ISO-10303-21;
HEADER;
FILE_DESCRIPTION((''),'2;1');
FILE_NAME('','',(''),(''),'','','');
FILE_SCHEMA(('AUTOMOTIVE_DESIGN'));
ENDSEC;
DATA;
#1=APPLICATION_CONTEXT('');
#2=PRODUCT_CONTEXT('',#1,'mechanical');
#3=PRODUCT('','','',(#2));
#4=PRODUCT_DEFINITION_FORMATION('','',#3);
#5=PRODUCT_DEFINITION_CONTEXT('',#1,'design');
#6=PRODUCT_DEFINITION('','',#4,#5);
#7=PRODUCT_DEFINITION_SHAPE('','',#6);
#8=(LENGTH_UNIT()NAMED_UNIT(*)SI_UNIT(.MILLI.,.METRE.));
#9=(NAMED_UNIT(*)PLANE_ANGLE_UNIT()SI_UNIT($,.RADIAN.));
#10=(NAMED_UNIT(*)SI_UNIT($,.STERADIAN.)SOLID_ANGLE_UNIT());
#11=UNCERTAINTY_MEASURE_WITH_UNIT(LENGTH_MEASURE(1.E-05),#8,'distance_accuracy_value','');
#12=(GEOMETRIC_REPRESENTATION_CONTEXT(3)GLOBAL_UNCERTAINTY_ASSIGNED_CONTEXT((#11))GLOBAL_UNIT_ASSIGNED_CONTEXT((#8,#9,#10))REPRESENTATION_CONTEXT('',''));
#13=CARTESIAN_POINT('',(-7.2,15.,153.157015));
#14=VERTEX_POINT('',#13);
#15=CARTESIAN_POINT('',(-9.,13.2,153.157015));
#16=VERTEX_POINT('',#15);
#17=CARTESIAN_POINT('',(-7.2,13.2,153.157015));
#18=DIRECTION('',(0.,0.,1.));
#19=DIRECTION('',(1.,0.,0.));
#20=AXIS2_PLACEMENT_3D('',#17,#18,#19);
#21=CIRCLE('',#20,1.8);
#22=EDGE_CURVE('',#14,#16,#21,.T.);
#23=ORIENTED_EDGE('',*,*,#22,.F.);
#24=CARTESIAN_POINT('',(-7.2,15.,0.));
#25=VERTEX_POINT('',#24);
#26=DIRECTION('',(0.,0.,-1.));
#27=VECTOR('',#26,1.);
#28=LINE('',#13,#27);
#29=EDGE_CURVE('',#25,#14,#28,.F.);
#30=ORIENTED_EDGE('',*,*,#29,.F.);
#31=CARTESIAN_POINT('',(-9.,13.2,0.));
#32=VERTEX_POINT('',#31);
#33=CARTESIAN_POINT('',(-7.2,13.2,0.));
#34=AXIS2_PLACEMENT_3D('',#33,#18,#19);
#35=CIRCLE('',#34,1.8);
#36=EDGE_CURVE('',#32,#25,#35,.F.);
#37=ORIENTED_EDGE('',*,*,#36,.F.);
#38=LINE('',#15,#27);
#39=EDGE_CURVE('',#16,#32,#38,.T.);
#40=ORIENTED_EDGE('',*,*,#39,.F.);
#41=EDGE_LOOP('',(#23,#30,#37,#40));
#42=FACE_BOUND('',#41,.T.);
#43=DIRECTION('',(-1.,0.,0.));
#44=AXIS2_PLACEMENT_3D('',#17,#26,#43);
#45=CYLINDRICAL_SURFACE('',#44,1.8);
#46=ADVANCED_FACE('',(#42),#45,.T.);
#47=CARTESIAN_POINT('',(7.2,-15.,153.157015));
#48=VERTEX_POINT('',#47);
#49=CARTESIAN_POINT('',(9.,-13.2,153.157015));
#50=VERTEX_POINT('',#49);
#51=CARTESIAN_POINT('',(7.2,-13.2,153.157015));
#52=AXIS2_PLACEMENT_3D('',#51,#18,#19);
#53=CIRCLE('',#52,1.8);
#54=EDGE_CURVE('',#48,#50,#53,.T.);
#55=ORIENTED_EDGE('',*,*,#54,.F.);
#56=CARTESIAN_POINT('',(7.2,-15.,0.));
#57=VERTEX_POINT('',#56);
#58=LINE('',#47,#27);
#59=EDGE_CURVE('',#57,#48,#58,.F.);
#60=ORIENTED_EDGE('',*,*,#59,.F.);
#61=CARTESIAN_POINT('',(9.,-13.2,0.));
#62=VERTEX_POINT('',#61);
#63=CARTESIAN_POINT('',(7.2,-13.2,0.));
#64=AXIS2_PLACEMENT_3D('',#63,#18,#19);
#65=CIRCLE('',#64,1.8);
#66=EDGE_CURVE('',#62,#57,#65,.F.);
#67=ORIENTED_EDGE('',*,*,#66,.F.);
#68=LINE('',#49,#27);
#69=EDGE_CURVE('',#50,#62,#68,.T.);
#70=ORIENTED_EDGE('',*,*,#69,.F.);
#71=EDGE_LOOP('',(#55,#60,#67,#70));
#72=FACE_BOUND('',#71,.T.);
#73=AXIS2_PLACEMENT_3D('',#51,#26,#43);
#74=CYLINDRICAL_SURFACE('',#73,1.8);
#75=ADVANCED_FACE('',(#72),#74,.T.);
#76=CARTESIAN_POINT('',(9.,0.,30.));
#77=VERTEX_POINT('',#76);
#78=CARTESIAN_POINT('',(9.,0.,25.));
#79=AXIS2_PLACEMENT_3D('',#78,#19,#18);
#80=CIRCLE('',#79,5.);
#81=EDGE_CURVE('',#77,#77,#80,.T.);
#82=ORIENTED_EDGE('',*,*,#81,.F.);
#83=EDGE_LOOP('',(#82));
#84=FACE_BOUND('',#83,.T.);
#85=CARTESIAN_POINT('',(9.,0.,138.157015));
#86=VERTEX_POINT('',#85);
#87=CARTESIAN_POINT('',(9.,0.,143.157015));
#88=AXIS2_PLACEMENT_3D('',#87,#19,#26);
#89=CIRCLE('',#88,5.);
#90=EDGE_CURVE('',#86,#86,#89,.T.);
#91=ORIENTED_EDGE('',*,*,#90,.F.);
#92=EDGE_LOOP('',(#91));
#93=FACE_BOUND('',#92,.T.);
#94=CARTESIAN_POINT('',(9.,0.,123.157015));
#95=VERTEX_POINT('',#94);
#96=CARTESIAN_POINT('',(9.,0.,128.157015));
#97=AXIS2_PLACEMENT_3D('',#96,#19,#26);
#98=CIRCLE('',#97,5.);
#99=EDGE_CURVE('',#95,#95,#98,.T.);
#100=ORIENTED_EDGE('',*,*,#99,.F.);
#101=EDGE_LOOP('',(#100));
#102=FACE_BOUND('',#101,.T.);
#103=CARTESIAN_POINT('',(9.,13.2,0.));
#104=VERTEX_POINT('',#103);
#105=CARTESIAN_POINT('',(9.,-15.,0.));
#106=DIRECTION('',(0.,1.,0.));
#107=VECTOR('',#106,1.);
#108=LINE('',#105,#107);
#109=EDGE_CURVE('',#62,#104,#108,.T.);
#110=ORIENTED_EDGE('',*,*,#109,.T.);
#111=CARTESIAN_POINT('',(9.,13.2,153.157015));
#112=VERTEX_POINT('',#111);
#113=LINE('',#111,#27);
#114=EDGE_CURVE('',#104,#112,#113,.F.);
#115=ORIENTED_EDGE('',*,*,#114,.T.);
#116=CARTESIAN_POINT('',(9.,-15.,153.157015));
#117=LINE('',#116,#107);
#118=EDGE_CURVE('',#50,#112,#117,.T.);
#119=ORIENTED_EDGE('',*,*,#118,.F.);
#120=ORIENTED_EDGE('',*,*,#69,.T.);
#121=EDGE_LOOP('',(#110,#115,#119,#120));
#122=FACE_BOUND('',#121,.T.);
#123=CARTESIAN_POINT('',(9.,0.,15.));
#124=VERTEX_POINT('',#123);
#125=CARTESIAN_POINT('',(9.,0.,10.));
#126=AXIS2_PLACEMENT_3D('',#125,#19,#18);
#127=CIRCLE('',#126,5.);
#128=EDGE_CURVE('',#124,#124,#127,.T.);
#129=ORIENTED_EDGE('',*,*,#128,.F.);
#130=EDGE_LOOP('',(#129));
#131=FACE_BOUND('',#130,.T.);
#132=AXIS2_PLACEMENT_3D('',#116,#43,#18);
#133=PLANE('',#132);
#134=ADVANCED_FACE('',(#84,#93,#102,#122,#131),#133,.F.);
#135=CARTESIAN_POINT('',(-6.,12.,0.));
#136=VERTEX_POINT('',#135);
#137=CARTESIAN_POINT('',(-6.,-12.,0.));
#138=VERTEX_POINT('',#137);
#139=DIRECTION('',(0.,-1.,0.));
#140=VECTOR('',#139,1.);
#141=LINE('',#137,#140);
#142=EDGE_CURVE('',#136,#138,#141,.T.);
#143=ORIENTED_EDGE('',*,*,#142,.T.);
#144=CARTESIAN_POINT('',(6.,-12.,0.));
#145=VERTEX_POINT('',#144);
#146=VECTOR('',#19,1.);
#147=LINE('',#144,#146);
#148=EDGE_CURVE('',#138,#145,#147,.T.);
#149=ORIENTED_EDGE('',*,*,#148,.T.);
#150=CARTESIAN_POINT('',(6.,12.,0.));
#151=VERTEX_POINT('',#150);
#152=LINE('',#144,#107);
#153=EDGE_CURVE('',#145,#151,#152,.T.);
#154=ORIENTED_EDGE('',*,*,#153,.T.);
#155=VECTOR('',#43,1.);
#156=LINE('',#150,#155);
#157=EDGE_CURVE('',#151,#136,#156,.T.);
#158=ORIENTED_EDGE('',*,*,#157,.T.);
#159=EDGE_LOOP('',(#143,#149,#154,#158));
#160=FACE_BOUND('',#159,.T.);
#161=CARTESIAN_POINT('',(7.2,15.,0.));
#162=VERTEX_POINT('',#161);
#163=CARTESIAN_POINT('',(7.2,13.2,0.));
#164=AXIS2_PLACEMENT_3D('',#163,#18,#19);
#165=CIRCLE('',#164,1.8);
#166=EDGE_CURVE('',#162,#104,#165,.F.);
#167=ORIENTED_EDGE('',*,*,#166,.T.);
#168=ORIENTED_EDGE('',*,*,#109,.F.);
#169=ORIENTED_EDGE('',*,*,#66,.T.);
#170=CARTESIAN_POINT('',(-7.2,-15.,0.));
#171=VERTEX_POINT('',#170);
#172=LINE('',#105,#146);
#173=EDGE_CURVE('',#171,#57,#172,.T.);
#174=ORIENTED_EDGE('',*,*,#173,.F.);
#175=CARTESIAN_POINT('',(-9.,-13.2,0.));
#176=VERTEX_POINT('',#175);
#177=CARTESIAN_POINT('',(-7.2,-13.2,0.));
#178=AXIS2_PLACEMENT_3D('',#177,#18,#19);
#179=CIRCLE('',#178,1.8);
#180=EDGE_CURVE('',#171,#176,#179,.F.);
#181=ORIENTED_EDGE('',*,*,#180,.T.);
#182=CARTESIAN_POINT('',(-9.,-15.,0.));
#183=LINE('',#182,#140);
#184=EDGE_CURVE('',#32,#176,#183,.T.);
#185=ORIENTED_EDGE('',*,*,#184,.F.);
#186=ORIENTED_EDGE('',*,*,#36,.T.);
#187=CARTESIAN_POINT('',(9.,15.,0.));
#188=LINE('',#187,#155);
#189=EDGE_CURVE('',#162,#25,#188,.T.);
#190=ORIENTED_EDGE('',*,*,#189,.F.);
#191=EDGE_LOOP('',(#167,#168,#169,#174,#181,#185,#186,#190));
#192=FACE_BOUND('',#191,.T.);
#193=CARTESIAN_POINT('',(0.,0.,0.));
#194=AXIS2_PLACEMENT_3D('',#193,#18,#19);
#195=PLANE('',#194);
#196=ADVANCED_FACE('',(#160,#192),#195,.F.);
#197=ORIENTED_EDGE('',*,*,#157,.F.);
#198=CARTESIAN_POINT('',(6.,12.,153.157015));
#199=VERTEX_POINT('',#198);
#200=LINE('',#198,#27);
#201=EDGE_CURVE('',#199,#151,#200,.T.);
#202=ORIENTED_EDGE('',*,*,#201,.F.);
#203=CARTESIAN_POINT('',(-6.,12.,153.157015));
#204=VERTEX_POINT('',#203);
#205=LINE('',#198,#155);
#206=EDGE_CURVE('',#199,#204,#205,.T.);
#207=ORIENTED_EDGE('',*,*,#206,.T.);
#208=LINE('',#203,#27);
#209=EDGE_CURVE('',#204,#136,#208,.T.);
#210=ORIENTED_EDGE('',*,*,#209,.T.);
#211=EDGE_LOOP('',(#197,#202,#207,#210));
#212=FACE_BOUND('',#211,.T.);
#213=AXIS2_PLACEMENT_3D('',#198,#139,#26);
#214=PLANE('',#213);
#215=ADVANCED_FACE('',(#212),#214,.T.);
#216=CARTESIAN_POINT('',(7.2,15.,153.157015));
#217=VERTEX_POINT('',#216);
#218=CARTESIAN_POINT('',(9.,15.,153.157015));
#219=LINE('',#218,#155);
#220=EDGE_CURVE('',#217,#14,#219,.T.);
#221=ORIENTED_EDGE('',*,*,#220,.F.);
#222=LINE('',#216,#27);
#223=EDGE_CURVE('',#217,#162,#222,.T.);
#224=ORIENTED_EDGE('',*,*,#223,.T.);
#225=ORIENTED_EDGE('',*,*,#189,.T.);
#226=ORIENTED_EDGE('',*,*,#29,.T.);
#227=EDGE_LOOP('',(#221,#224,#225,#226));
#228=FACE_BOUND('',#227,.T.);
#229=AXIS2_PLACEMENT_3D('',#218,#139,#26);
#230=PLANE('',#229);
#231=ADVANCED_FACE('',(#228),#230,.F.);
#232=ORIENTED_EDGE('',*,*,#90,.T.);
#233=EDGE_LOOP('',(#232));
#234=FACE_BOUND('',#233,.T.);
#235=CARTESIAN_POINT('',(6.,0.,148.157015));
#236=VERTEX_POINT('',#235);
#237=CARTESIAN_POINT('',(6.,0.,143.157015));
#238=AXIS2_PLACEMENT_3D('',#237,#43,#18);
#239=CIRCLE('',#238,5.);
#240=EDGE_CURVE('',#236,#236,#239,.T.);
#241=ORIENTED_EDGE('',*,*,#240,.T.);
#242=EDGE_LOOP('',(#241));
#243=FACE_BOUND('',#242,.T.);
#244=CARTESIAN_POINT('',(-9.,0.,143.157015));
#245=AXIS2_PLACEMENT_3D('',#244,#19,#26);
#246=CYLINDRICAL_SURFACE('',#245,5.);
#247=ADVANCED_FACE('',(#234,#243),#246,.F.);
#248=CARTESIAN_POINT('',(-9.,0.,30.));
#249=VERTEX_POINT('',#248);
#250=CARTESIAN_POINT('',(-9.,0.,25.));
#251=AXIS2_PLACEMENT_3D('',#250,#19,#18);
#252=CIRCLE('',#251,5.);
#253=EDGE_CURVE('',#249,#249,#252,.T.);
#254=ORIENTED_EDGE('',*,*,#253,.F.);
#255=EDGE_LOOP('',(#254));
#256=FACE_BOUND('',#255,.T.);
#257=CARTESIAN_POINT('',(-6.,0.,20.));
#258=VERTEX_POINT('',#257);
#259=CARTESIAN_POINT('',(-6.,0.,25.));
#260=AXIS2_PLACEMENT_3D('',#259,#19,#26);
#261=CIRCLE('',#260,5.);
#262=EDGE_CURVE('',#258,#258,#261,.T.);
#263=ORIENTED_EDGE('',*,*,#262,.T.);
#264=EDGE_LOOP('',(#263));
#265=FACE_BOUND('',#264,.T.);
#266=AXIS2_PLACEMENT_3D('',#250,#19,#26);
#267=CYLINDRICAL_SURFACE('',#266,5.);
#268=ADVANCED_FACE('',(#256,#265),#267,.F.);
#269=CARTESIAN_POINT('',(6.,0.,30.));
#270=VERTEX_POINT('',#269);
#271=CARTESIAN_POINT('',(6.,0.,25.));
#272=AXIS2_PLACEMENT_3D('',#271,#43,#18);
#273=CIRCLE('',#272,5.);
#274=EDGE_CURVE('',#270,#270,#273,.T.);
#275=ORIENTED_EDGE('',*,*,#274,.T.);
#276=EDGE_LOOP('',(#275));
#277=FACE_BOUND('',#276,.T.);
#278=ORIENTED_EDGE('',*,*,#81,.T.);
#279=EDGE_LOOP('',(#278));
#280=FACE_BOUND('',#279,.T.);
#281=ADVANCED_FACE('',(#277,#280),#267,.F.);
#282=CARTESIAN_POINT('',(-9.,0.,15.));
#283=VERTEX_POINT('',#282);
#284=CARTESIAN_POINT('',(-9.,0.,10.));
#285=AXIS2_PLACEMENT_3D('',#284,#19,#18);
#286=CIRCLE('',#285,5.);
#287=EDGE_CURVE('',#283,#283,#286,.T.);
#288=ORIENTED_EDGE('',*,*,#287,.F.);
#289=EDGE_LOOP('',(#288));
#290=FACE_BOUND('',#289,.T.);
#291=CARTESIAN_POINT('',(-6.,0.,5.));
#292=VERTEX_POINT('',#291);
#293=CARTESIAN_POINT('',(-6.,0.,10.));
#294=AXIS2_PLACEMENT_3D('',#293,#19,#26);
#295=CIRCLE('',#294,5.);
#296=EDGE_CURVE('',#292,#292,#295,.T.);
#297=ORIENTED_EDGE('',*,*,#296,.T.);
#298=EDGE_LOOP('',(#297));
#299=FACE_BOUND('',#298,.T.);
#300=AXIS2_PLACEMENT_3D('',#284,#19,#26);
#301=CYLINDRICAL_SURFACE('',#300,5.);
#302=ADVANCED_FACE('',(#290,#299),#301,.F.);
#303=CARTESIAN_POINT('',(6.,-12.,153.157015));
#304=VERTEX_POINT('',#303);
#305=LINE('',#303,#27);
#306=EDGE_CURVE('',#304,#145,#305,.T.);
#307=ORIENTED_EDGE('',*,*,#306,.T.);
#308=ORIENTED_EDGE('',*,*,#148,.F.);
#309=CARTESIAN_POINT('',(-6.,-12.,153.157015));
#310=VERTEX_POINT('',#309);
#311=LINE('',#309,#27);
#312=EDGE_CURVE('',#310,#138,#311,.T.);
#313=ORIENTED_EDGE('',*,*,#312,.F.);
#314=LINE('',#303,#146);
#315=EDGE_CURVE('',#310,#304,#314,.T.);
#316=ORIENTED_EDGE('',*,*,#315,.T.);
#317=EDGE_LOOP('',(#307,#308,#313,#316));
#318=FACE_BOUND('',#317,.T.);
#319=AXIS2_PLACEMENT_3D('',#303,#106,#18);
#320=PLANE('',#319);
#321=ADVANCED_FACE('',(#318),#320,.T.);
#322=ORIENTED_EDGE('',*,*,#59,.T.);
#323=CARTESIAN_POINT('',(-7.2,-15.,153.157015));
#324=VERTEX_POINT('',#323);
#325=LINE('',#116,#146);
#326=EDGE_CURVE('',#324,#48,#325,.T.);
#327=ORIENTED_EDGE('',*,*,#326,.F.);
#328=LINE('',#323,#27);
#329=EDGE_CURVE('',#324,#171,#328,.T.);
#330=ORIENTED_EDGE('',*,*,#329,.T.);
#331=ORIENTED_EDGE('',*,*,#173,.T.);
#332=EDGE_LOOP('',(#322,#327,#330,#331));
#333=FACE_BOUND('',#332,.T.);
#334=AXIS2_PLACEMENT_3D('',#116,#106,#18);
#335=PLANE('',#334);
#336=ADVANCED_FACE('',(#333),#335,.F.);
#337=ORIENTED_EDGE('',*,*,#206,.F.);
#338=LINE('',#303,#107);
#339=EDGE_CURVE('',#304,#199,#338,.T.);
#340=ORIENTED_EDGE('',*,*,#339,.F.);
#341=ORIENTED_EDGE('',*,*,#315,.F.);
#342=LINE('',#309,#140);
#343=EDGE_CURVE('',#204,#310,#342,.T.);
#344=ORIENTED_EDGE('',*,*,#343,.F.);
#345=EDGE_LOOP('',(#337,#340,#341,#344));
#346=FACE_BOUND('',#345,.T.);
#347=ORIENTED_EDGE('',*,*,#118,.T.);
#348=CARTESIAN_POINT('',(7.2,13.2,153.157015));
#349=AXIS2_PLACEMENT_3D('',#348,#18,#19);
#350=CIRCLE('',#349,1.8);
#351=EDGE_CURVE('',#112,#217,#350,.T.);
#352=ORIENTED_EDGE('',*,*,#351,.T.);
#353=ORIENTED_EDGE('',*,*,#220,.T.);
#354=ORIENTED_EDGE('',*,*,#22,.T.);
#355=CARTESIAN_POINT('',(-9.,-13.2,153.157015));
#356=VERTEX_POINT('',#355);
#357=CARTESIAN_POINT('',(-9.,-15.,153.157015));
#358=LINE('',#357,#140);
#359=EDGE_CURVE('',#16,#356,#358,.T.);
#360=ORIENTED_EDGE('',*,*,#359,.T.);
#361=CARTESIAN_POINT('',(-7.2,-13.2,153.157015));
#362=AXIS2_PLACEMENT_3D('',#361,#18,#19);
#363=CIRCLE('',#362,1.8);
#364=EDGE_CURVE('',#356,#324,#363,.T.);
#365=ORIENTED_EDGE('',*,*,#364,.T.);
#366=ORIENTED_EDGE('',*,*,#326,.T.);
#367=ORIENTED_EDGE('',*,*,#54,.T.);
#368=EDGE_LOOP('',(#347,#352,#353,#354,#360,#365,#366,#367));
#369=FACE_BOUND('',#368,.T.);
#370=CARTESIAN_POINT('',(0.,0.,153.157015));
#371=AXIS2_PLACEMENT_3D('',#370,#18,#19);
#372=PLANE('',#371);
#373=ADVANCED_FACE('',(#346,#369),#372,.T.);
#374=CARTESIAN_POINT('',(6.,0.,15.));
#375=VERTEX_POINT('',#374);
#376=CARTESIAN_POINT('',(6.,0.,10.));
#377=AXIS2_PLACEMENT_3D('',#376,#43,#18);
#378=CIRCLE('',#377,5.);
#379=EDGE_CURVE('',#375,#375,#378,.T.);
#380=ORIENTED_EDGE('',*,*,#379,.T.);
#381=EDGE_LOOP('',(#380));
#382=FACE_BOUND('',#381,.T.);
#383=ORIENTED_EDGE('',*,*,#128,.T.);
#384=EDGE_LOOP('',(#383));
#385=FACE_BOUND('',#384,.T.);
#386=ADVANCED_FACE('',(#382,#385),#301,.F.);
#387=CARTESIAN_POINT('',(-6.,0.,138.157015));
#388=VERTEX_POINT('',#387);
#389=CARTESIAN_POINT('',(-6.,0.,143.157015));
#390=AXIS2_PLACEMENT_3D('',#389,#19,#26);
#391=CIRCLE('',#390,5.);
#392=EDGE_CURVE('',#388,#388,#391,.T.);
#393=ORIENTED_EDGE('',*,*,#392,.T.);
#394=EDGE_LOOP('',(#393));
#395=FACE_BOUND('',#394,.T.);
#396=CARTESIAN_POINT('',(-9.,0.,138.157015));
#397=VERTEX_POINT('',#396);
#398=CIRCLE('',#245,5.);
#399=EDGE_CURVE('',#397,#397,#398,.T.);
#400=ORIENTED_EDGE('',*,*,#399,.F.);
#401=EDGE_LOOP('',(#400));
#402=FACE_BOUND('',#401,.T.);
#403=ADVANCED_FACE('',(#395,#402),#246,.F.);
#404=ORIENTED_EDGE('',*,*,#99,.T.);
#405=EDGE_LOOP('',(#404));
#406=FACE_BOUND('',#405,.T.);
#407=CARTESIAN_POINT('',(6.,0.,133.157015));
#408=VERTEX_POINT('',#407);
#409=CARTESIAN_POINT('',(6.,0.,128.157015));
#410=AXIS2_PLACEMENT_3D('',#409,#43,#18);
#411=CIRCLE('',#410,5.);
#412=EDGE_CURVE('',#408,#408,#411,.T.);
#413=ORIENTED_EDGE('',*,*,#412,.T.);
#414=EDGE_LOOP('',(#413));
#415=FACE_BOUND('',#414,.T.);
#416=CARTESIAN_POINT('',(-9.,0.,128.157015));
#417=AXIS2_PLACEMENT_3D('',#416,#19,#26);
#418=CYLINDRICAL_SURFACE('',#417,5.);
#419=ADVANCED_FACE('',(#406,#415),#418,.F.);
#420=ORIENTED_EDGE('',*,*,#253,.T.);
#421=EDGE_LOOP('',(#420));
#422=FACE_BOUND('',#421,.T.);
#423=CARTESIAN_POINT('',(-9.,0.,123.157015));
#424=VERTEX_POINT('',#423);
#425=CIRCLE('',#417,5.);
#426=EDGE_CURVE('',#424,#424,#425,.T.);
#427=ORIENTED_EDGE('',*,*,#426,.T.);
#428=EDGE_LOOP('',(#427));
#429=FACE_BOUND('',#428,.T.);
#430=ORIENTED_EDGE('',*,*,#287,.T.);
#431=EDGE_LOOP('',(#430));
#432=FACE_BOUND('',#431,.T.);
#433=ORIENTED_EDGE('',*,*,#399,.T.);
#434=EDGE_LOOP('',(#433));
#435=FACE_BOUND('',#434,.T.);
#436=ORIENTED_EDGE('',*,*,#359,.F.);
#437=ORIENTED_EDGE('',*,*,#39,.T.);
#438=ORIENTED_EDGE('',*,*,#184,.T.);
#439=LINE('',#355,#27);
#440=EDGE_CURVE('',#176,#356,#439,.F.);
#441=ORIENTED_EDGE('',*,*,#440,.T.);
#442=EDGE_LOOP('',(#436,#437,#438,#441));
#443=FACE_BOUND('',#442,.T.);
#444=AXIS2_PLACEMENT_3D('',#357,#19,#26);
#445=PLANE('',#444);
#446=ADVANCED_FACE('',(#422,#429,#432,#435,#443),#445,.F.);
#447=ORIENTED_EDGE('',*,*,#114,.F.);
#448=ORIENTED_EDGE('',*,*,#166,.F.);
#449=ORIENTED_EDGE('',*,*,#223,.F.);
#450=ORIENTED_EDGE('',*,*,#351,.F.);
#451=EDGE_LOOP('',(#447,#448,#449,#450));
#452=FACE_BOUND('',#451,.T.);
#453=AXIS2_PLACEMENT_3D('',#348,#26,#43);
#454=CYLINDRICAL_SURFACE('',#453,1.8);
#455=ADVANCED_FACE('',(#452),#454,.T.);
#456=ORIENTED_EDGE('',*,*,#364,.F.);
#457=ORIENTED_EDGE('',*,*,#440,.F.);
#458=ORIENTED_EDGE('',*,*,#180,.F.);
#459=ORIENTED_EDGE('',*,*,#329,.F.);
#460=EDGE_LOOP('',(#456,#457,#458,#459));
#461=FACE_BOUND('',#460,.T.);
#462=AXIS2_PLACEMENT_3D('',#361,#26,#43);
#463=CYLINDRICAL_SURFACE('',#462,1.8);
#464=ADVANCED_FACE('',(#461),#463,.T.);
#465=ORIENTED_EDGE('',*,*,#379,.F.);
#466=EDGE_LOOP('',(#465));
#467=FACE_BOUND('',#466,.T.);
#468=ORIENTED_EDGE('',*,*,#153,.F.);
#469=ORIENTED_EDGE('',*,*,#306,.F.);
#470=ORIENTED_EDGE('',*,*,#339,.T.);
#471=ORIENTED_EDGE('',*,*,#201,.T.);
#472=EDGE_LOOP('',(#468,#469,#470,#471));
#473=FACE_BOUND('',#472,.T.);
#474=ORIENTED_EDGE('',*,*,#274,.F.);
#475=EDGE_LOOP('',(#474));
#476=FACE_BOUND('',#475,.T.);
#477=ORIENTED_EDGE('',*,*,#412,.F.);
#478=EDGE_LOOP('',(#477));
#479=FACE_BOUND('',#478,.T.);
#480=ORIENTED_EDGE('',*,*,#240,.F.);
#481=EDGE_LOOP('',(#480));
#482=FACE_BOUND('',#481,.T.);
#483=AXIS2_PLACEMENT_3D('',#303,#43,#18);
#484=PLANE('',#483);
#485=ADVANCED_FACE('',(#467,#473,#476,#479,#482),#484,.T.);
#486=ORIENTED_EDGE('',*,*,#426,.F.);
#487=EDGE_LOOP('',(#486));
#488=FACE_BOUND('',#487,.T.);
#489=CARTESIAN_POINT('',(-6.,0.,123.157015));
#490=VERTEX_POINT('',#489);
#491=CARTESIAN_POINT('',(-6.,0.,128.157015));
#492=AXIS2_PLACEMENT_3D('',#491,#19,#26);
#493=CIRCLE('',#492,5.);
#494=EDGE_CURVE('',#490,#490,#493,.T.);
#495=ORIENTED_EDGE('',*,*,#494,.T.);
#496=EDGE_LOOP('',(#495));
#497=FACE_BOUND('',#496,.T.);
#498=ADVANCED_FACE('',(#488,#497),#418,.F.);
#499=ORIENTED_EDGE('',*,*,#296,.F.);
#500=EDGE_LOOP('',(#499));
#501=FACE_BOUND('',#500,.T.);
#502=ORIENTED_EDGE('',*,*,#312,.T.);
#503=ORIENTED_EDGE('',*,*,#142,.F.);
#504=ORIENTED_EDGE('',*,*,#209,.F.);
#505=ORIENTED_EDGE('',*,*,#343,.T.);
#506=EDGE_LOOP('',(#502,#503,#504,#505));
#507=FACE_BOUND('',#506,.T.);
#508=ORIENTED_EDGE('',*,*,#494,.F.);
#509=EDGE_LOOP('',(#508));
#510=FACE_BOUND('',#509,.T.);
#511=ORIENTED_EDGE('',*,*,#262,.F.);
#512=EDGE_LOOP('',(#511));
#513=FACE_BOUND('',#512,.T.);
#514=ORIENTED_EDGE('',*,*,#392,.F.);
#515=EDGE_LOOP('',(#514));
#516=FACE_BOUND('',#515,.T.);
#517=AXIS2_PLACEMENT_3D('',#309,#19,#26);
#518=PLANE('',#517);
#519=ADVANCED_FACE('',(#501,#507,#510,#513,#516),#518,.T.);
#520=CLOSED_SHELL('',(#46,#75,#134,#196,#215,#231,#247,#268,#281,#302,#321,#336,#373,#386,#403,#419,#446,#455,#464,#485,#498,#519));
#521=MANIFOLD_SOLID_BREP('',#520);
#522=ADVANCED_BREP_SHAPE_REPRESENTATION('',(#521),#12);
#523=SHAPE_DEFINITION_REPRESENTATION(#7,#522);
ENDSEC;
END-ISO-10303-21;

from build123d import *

# Parameters (mm, degrees)
SKETCH1_W         = 18
SKETCH1_H         = 30
SKETCH1_W_2       = 12
SKETCH1_H_2       = 24
BODY_DEPTH        = 153.15701543
SKETCH2_R         = 5
MOUNT_HOLES_DEPTH = 155.938927889
CORNER_FILLETS_R  = 1.8


with BuildPart() as part:
    # Sketch1 → Body (new body)
    with BuildSketch(Plane.XY):
        Rectangle(SKETCH1_W, SKETCH1_H)
        Rectangle(SKETCH1_W_2, SKETCH1_H_2, mode=Mode.SUBTRACT)
    extrude(amount=BODY_DEPTH)

    # Sketch2 → Mount Holes (cut, through all)
    with BuildSketch(Plane(origin=(9, 0, 0), x_dir=(0, 0, -1), z_dir=(1, 0, 0))):
        with Locations((-143.15701543, 0)):
            Circle(SKETCH2_R)
        with Locations((-128.15701543, 0)):
            Circle(SKETCH2_R)
        with Locations(Location((-25, 0, 0), (0, 0, 180))):
            Circle(SKETCH2_R)
        with Locations(Location((-10, 0, 0), (0, 0, 180))):
            Circle(SKETCH2_R)
    extrude(amount=-MOUNT_HOLES_DEPTH, mode=Mode.SUBTRACT)

    # Corner Fillets
    corner_fillets_edges = [part.edges().sort_by_distance(p)[0] for p in [
        (-9, 15, 76.578507715),
        (9, 15, 76.578507715),
        (9, -15, 76.578507715),
        (-9, -15, 76.578507715),
    ]]
    fillet(corner_fillets_edges, radius=CORNER_FILLETS_R)


solid = part.part
